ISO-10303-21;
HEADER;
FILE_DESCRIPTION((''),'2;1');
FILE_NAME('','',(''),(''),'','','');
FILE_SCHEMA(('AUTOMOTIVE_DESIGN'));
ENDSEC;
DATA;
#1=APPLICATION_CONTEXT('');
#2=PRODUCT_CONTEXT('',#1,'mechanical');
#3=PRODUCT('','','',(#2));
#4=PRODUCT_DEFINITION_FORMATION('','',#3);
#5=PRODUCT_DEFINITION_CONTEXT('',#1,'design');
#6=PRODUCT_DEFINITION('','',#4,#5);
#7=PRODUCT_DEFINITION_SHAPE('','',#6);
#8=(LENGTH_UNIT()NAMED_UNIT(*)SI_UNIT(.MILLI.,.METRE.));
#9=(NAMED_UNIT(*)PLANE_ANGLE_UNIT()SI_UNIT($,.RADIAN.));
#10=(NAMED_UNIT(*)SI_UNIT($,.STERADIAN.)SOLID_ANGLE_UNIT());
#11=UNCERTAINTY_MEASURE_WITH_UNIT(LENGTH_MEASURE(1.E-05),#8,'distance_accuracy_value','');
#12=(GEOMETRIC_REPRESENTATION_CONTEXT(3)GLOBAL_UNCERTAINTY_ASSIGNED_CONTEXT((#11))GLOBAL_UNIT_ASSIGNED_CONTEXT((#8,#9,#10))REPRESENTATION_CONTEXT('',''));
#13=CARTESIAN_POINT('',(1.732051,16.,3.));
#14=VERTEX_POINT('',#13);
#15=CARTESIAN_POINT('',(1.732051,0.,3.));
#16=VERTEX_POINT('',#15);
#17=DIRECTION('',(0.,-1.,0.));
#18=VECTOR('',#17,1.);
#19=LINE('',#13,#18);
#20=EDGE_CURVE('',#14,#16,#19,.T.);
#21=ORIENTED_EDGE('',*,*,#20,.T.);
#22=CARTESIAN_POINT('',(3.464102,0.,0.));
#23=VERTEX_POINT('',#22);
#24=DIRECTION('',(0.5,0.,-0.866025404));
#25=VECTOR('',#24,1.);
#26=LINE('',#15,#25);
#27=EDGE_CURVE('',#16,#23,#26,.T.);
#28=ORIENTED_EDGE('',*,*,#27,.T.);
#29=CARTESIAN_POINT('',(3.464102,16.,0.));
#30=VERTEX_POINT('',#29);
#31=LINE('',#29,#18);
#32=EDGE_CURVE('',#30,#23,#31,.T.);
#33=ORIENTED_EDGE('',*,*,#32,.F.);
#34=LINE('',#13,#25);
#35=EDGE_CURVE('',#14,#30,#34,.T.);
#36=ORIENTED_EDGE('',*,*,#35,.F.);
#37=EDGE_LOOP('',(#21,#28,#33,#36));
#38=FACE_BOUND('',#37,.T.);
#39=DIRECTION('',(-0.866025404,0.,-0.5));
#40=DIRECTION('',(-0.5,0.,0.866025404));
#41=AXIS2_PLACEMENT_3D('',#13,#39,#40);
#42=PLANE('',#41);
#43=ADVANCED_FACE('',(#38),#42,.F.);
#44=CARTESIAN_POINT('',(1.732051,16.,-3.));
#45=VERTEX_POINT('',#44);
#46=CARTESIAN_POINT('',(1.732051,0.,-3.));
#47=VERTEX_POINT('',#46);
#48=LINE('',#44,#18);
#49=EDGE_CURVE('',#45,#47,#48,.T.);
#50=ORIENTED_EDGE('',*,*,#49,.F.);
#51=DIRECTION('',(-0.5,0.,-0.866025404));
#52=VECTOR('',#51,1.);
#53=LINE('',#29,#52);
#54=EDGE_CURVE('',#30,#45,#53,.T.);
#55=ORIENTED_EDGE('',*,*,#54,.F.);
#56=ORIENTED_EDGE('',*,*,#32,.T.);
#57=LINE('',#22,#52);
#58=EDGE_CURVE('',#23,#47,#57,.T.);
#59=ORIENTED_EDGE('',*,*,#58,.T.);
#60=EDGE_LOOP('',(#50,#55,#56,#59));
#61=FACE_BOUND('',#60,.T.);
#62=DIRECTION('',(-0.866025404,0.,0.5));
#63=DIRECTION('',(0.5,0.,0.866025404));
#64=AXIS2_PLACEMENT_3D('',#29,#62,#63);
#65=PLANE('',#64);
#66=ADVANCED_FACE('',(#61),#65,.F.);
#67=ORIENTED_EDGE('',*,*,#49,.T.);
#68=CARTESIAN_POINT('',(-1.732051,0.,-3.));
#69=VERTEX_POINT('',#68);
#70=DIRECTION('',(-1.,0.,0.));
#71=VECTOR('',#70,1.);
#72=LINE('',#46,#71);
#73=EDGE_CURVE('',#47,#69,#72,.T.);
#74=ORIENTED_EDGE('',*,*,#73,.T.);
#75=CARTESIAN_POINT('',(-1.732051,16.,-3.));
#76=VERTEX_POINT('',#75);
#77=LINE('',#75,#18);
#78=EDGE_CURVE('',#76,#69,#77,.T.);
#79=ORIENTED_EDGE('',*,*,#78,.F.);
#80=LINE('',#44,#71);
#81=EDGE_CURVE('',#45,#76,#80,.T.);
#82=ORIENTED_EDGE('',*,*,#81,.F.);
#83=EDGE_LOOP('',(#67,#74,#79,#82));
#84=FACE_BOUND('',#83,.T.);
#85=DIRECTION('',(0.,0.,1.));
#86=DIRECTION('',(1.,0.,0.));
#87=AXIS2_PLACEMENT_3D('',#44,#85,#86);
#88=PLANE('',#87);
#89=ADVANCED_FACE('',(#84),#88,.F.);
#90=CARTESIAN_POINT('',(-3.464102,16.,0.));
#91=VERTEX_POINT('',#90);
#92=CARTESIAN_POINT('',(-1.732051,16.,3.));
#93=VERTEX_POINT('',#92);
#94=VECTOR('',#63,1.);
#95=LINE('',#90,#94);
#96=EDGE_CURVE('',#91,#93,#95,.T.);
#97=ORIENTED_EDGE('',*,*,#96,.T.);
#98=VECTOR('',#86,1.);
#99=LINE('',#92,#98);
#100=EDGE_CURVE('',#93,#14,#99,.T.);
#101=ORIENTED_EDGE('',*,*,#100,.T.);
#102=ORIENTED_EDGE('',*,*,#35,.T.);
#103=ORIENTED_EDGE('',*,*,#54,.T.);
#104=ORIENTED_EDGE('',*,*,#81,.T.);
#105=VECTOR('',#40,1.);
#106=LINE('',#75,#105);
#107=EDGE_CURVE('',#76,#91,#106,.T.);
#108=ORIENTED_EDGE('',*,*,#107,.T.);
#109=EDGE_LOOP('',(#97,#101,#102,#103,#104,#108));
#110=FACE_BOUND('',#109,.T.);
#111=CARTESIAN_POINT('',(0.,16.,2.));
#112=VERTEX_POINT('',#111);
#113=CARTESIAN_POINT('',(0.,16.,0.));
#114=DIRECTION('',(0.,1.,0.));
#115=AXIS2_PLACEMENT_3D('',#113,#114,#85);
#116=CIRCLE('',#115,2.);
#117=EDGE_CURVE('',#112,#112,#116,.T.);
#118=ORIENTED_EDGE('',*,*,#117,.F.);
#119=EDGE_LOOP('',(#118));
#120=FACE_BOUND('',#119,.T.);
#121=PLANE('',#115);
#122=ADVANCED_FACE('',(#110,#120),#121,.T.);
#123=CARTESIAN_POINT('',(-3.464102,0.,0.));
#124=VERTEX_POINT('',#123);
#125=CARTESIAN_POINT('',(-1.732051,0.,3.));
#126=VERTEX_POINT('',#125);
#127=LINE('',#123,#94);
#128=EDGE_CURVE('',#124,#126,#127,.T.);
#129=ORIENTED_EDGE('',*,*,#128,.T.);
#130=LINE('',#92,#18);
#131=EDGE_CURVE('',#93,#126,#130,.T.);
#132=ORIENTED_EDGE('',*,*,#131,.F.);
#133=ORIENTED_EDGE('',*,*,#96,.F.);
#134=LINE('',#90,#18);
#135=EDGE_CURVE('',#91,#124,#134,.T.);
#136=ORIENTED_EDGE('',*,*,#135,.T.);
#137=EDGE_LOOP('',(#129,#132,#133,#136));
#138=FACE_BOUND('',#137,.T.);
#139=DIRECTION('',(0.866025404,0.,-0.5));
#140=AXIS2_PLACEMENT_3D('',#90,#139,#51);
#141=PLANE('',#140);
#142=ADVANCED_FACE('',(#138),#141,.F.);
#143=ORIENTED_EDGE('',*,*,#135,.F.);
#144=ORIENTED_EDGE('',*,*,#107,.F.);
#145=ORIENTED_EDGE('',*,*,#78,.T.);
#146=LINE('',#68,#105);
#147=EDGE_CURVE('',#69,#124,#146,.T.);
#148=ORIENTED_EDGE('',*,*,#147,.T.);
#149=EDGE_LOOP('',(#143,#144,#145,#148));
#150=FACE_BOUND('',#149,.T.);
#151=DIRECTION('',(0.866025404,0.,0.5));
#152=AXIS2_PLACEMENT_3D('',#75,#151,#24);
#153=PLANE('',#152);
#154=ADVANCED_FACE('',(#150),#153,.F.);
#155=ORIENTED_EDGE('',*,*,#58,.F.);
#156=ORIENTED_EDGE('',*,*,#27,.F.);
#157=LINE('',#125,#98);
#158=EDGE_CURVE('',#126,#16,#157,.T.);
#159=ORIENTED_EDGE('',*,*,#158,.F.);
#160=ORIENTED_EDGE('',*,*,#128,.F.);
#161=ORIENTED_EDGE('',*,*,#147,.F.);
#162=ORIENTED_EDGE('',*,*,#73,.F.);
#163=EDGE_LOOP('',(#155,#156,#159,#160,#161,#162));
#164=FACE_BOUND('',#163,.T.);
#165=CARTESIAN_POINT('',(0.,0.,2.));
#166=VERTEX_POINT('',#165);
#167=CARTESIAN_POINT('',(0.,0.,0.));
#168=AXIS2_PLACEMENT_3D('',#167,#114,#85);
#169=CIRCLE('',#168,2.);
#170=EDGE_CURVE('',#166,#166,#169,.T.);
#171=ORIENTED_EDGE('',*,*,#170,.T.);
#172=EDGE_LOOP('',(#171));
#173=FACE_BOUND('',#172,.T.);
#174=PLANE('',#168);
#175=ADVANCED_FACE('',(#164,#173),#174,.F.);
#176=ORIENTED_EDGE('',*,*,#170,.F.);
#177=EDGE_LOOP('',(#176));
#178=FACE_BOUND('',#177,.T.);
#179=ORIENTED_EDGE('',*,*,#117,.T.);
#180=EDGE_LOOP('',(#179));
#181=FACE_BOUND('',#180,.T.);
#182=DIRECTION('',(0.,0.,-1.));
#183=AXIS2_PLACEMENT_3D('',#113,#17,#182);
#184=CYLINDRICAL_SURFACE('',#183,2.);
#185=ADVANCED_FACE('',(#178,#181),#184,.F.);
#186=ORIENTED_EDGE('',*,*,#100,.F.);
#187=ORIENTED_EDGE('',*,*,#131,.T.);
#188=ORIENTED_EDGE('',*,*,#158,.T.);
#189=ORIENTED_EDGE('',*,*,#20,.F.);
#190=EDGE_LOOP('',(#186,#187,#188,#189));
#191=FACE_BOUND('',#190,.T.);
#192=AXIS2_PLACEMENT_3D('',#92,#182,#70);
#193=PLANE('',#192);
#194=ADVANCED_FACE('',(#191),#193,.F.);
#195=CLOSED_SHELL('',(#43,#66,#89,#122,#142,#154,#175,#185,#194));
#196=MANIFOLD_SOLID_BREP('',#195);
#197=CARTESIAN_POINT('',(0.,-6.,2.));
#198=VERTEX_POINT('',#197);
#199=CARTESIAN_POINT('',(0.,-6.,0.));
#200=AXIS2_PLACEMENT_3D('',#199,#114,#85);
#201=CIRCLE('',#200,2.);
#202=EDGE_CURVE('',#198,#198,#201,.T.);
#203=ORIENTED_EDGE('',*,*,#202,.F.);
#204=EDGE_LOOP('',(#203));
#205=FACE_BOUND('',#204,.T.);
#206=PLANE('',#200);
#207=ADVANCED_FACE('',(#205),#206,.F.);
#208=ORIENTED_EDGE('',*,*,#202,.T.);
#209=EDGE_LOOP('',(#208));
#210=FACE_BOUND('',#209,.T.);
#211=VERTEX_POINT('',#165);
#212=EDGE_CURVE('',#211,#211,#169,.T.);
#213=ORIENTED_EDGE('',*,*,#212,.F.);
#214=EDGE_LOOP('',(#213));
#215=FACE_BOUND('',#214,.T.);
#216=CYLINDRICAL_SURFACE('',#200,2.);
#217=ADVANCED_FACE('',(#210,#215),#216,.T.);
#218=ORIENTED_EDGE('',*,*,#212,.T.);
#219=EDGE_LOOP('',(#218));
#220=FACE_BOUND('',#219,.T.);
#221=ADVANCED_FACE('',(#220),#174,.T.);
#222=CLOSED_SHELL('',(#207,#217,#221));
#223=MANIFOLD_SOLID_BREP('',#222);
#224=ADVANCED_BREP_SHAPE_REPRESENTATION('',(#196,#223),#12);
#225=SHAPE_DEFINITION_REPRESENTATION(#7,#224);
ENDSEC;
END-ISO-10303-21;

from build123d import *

# Parameters (mm, degrees)
SKETCH_2_R      = 2
EXTRUDE_1_DEPTH = 16
SKETCH_2_2_R    = 2
EXTRUDE_2_DEPTH = 6


with BuildPart() as part:
    # 草图2 → 凸台-拉伸1 (new body)
    with BuildSketch(Plane(origin=(0, 0, 0), x_dir=(1, 0, 0), z_dir=(0, 1, 0))):
        Polygon((3.464101615, 0), (1.732050808, 3), (-1.732050808, 3), (-3.464101615, 0), (-1.732050808, -3), (1.732050808, -3), align=None)
        Circle(SKETCH_2_R, mode=Mode.SUBTRACT)
    extrude(amount=EXTRUDE_1_DEPTH)


with BuildPart() as body_2:
    # 草图2<2> → 凸台-拉伸2 (new body)
    with BuildSketch(Plane(origin=(0, 0, 0), x_dir=(1, 0, 0), z_dir=(0, 1, 0))):
        Circle(SKETCH_2_2_R)
    extrude(amount=-EXTRUDE_2_DEPTH)


solid = Compound([part.part, body_2.part])
